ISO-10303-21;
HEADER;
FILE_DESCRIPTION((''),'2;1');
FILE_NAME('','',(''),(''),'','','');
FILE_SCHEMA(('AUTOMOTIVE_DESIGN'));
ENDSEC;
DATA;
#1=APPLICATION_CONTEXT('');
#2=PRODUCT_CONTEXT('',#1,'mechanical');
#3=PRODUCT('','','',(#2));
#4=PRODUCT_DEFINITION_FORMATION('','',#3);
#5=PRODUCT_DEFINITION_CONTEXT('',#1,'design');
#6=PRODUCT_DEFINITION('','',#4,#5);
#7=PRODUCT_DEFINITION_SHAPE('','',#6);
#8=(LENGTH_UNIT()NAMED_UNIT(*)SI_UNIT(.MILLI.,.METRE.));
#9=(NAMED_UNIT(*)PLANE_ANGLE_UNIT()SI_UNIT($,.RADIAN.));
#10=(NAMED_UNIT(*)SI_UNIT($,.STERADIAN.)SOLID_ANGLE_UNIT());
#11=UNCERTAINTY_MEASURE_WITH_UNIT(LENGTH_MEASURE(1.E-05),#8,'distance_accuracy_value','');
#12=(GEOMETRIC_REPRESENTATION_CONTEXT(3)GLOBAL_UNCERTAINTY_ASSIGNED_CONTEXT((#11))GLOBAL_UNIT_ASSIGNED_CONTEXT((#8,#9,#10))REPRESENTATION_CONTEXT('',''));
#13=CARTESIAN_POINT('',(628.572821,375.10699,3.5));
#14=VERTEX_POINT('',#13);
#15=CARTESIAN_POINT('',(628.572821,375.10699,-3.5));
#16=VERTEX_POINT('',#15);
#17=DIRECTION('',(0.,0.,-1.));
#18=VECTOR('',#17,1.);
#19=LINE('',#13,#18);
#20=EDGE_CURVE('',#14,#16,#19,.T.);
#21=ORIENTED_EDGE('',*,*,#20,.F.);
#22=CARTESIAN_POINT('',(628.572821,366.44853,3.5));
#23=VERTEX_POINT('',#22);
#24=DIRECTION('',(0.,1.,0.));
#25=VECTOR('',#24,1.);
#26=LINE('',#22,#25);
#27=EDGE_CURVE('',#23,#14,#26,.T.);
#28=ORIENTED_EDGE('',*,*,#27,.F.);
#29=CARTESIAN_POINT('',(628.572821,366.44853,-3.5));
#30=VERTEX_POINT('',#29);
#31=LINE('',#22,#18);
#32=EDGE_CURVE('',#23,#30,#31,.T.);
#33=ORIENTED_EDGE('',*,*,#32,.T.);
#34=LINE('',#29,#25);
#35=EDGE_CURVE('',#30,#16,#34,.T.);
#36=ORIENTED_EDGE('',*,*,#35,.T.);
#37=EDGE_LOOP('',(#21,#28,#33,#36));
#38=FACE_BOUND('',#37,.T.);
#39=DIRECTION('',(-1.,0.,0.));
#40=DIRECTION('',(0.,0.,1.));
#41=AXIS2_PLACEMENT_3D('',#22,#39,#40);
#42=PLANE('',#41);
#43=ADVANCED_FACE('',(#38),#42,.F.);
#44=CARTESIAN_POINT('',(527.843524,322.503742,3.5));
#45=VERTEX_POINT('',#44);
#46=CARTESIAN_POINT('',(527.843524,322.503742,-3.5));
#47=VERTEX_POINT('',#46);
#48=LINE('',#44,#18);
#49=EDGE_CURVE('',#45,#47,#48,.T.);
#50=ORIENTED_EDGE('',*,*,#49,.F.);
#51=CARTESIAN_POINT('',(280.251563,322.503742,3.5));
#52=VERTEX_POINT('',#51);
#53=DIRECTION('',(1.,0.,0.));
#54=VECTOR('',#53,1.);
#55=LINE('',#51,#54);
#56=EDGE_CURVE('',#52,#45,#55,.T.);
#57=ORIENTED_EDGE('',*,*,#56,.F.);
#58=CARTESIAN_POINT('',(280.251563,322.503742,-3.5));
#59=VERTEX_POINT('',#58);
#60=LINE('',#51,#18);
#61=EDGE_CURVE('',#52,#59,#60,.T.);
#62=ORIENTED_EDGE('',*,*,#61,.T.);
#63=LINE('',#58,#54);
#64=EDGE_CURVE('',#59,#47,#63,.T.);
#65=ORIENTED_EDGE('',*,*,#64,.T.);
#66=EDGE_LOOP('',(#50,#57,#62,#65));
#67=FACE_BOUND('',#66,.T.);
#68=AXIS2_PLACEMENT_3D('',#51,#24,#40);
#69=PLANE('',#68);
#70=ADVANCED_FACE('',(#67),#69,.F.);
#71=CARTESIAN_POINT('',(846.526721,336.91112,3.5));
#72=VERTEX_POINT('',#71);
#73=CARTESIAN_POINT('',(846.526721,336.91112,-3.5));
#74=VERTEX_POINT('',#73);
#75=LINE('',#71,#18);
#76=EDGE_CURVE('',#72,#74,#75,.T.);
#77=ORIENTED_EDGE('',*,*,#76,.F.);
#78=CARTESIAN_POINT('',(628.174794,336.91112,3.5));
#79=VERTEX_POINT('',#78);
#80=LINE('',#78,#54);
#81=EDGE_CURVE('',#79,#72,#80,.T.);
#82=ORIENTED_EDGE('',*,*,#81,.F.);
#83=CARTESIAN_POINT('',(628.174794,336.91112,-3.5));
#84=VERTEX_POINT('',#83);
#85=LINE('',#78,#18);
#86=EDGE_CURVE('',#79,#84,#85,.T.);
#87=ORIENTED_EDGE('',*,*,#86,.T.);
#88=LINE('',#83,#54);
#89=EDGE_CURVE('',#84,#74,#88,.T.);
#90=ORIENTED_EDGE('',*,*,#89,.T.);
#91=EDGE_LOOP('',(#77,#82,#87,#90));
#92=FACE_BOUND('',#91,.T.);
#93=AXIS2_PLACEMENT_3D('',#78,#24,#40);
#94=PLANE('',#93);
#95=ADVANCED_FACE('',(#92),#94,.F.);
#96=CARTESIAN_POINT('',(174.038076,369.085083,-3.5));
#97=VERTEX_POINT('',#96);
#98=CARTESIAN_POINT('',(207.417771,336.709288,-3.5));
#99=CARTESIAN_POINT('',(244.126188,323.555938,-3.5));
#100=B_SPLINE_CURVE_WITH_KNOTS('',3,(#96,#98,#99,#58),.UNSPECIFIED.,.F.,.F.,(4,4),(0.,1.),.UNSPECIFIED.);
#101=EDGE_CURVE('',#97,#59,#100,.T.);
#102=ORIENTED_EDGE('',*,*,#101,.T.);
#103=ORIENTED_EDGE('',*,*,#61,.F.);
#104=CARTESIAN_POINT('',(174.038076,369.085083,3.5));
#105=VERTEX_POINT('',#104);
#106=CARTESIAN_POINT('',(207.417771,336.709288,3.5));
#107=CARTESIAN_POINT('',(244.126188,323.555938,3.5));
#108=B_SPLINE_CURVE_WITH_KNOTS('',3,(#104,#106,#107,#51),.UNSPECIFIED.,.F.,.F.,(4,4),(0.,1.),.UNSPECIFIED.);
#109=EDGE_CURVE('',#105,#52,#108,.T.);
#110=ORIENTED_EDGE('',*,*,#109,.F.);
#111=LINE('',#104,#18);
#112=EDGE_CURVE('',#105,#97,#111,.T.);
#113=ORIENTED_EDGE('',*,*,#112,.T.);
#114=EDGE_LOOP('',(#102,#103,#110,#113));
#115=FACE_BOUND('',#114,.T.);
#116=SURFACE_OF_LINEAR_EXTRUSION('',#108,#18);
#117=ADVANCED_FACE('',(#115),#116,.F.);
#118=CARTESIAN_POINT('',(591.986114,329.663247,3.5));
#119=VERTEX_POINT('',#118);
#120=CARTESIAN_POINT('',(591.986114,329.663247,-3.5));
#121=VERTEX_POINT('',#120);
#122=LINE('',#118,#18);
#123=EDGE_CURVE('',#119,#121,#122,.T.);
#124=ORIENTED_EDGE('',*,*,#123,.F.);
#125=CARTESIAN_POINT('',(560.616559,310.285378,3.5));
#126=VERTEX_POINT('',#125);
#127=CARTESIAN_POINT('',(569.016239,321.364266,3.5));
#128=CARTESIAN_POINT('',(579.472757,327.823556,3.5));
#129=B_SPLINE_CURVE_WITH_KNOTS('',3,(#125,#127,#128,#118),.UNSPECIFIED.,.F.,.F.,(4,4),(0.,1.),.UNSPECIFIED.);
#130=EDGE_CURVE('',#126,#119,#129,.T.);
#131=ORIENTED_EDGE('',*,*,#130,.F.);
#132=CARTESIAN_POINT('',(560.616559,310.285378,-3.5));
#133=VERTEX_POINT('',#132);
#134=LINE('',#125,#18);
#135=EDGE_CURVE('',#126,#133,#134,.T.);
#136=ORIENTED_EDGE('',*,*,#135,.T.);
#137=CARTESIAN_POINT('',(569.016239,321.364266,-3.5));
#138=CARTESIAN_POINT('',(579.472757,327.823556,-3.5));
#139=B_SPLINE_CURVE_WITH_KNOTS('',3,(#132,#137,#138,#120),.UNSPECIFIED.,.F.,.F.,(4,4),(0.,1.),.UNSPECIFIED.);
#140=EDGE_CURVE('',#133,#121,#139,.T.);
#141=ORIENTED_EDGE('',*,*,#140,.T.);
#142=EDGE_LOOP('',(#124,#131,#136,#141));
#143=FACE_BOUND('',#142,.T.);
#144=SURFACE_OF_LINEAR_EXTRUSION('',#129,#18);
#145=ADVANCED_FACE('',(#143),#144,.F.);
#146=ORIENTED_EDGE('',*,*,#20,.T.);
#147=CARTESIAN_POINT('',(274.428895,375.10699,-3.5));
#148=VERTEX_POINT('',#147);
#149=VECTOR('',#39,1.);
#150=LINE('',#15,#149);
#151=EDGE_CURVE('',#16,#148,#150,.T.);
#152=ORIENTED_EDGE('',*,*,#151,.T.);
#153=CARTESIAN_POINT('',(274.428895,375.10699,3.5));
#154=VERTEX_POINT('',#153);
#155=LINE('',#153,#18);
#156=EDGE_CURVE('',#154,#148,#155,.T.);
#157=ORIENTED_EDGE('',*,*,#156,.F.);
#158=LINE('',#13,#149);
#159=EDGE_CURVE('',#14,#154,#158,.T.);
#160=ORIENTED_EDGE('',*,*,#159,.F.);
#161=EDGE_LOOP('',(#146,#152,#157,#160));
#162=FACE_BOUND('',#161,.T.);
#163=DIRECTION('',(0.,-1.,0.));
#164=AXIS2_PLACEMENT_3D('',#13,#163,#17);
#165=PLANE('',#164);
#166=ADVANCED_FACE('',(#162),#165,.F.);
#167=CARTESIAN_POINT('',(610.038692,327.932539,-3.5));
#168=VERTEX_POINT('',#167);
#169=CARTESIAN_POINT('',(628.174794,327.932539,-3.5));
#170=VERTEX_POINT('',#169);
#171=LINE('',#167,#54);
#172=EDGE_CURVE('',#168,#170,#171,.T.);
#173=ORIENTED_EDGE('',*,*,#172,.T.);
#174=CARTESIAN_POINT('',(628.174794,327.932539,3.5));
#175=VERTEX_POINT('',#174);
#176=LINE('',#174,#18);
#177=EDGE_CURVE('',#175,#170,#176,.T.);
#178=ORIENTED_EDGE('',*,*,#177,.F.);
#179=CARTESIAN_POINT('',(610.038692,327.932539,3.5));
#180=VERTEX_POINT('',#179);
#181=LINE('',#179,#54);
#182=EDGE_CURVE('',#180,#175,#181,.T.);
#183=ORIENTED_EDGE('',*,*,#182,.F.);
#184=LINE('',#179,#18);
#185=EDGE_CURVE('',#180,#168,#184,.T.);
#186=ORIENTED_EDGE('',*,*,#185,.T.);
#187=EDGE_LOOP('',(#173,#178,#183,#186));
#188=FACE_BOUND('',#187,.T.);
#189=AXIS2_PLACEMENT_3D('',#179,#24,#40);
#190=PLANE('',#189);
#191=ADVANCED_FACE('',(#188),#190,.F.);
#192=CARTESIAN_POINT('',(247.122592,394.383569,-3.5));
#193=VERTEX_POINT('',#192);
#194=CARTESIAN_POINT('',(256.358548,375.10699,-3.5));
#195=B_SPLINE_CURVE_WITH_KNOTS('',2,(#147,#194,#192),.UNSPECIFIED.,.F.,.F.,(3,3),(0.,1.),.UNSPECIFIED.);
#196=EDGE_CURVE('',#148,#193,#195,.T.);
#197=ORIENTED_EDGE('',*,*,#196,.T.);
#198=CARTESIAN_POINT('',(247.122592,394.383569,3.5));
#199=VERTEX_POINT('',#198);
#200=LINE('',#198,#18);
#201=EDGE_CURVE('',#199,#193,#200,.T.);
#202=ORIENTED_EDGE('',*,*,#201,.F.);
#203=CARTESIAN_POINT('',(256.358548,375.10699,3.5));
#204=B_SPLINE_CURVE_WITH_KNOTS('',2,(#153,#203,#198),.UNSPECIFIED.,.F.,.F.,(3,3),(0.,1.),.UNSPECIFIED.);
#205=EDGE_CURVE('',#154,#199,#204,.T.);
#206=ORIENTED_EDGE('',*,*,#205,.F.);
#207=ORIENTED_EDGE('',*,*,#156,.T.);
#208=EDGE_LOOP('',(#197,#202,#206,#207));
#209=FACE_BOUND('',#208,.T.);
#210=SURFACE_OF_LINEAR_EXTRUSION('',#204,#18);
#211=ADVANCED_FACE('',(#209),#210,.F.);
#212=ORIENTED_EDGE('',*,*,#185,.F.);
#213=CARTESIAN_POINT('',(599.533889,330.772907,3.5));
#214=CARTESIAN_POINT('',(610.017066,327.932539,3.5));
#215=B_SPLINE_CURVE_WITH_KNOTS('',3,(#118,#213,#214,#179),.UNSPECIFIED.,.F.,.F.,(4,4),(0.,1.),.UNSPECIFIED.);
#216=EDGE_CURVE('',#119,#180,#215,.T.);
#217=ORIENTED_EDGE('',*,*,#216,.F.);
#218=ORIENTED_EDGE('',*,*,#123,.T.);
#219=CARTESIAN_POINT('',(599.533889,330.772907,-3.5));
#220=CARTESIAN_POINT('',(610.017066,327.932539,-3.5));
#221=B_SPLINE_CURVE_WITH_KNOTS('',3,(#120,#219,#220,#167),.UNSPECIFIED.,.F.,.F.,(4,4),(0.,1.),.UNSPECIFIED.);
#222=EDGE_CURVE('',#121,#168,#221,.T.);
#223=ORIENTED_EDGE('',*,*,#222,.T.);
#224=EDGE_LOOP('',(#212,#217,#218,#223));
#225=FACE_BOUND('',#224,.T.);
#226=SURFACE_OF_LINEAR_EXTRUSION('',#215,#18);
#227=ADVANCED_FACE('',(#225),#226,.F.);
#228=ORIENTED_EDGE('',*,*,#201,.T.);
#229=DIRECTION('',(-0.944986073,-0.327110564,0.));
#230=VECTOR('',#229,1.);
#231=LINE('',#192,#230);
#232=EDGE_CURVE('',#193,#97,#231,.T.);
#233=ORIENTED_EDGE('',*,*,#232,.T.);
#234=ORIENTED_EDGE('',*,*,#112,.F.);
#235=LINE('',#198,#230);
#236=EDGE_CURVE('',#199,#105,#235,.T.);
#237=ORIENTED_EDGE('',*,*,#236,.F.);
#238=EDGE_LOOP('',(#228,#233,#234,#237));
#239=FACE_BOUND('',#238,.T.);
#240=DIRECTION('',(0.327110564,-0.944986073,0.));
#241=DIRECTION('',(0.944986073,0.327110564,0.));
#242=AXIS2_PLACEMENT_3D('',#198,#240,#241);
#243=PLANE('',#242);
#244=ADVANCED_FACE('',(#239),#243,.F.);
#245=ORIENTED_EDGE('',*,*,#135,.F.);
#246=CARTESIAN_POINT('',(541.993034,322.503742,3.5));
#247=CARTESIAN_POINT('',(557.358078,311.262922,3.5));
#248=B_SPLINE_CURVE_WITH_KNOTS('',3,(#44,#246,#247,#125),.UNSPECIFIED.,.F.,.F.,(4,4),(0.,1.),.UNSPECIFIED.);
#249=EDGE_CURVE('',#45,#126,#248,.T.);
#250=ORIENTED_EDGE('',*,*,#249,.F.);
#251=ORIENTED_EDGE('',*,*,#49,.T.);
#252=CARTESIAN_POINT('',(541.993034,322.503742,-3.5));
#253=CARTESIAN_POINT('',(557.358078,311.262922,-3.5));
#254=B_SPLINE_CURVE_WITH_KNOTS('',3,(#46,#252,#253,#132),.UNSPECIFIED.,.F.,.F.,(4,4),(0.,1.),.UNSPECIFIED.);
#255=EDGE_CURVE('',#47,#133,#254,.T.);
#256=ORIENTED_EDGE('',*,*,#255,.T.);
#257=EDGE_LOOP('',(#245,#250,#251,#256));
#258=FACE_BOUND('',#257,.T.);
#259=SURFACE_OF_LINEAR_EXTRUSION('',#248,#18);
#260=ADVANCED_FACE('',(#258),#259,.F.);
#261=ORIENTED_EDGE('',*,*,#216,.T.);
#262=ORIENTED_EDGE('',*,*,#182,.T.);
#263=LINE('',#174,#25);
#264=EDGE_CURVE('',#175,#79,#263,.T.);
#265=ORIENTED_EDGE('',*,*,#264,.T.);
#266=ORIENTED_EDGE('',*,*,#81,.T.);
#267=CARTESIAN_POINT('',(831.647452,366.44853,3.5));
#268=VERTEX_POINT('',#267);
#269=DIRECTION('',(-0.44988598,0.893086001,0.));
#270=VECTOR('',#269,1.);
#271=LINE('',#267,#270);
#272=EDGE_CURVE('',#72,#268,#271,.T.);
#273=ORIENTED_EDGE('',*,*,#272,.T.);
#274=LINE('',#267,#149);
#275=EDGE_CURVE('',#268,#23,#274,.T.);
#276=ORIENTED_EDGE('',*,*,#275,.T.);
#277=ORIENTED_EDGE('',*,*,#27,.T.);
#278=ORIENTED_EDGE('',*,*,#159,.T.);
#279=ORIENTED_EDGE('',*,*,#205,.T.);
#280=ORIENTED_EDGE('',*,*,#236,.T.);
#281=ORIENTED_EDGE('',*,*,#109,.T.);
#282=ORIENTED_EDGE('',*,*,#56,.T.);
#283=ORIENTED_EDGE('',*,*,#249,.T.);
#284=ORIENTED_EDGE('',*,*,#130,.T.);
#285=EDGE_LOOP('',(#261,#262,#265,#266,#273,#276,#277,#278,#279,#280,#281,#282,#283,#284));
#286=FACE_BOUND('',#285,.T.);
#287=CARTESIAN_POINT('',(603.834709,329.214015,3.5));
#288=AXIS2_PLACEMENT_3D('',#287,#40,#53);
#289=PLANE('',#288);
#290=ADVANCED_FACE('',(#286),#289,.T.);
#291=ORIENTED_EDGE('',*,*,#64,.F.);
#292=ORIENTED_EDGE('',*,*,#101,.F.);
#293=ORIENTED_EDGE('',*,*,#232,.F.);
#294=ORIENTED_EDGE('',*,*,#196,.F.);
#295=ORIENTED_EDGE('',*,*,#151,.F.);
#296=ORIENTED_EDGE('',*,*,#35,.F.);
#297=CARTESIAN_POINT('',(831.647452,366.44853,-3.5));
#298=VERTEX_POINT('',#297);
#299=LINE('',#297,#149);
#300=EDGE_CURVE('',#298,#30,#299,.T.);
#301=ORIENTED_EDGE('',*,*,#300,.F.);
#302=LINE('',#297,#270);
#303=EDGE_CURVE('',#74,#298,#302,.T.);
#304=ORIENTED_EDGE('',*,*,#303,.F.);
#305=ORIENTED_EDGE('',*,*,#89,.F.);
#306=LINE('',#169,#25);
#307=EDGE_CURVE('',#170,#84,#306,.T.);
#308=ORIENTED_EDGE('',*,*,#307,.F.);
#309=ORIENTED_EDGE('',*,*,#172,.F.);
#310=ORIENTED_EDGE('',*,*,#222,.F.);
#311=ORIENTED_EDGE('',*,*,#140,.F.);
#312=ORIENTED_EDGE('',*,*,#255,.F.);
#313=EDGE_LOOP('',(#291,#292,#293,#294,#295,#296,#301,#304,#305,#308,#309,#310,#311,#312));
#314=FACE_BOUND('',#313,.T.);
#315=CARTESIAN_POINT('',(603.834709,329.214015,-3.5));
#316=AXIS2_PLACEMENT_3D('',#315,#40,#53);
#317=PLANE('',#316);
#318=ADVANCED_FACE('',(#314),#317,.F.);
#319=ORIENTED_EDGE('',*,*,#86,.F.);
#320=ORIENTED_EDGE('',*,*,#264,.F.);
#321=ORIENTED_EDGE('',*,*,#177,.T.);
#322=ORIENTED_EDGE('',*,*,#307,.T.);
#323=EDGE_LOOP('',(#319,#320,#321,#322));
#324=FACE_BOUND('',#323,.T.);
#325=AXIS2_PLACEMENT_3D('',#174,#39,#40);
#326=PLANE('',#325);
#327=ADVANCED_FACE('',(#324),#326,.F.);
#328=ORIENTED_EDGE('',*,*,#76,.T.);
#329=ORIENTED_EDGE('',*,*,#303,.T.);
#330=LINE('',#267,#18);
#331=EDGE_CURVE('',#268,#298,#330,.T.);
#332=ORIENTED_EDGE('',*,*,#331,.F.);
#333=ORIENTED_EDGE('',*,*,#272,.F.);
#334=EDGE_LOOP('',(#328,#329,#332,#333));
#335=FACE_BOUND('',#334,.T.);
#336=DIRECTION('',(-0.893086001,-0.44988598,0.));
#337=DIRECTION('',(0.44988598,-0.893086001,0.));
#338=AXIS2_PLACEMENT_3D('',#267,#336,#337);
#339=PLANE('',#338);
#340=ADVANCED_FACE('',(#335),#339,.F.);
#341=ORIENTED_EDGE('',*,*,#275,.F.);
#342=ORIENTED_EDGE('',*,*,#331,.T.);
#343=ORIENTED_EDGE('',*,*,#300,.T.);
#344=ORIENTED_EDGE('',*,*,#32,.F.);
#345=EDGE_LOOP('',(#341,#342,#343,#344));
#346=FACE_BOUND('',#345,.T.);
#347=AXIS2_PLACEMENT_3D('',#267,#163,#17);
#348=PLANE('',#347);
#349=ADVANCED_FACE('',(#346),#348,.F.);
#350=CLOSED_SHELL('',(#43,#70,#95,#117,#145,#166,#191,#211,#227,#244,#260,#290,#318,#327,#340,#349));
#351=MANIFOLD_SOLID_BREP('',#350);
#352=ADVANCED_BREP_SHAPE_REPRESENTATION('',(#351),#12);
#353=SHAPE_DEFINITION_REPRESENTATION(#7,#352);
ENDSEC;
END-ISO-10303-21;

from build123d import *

# Parameters (mm, degrees)
AUFSATZ_LINEAR_AUSTRAGEN1_DEPTH = 3.5


with BuildPart() as part:
    # Skizze1 → Aufsatz-Linear austragen1 (new body, symmetric)
    with BuildSketch(Plane.XY):
        with BuildLine():
            Line((831.647452371, 366.448530177), (628.572821229, 366.448530177))
            Line((628.572821229, 366.448530177), (628.572821229, 375.106989994))
            Line((628.572821229, 375.106989994), (274.428895499, 375.106989994))
            add(Edge.make_bspline(
                [(274.428895499, 375.106989994), (256.358547924, 375.106989994), (247.122592497, 394.383569374)],
                knots=[0, 0, 0, 1, 1, 1], degree=2))
            Line((247.122592497, 394.383569374), (174.038075638, 369.085082769))
            add(Edge.make_bspline(
                [(174.038075638, 369.085082769), (207.417770849, 336.709288166), (244.126187853, 323.555937748), (280.251563051, 322.503742353)],
                knots=[0, 0, 0, 0, 1, 1, 1, 1], degree=3))
            Line((280.251563051, 322.503742353), (527.843524378, 322.503742353))
            add(Edge.make_bspline(
                [(527.843524378, 322.503742353), (541.993033664, 322.503742353), (557.358077917, 311.262922103), (560.616559045, 310.285377764)],
                knots=[0, 0, 0, 0, 1, 1, 1, 1], degree=3))
            add(Edge.make_bspline(
                [(560.616559045, 310.285377764), (569.016239065, 321.364266067), (579.47275725, 327.823555694), (591.986113601, 329.663246645)],
                knots=[0, 0, 0, 0, 1, 1, 1, 1], degree=3))
            add(Edge.make_bspline(
                [(591.986113601, 329.663246645), (599.533888677, 330.772906845), (610.017065826, 327.93253872), (610.038691557, 327.93253872)],
                knots=[0, 0, 0, 0, 1, 1, 1, 1], degree=3))
            Line((610.038691557, 327.93253872), (628.174793789, 327.93253872))
            Line((628.174793789, 327.93253872), (628.174793789, 336.911119919))
            Line((628.174793789, 336.911119919), (846.52672127, 336.911119919))
            Line((846.52672127, 336.911119919), (831.647452371, 366.448530177))
        make_face()
    extrude(amount=AUFSATZ_LINEAR_AUSTRAGEN1_DEPTH, both=True)


solid = part.part
